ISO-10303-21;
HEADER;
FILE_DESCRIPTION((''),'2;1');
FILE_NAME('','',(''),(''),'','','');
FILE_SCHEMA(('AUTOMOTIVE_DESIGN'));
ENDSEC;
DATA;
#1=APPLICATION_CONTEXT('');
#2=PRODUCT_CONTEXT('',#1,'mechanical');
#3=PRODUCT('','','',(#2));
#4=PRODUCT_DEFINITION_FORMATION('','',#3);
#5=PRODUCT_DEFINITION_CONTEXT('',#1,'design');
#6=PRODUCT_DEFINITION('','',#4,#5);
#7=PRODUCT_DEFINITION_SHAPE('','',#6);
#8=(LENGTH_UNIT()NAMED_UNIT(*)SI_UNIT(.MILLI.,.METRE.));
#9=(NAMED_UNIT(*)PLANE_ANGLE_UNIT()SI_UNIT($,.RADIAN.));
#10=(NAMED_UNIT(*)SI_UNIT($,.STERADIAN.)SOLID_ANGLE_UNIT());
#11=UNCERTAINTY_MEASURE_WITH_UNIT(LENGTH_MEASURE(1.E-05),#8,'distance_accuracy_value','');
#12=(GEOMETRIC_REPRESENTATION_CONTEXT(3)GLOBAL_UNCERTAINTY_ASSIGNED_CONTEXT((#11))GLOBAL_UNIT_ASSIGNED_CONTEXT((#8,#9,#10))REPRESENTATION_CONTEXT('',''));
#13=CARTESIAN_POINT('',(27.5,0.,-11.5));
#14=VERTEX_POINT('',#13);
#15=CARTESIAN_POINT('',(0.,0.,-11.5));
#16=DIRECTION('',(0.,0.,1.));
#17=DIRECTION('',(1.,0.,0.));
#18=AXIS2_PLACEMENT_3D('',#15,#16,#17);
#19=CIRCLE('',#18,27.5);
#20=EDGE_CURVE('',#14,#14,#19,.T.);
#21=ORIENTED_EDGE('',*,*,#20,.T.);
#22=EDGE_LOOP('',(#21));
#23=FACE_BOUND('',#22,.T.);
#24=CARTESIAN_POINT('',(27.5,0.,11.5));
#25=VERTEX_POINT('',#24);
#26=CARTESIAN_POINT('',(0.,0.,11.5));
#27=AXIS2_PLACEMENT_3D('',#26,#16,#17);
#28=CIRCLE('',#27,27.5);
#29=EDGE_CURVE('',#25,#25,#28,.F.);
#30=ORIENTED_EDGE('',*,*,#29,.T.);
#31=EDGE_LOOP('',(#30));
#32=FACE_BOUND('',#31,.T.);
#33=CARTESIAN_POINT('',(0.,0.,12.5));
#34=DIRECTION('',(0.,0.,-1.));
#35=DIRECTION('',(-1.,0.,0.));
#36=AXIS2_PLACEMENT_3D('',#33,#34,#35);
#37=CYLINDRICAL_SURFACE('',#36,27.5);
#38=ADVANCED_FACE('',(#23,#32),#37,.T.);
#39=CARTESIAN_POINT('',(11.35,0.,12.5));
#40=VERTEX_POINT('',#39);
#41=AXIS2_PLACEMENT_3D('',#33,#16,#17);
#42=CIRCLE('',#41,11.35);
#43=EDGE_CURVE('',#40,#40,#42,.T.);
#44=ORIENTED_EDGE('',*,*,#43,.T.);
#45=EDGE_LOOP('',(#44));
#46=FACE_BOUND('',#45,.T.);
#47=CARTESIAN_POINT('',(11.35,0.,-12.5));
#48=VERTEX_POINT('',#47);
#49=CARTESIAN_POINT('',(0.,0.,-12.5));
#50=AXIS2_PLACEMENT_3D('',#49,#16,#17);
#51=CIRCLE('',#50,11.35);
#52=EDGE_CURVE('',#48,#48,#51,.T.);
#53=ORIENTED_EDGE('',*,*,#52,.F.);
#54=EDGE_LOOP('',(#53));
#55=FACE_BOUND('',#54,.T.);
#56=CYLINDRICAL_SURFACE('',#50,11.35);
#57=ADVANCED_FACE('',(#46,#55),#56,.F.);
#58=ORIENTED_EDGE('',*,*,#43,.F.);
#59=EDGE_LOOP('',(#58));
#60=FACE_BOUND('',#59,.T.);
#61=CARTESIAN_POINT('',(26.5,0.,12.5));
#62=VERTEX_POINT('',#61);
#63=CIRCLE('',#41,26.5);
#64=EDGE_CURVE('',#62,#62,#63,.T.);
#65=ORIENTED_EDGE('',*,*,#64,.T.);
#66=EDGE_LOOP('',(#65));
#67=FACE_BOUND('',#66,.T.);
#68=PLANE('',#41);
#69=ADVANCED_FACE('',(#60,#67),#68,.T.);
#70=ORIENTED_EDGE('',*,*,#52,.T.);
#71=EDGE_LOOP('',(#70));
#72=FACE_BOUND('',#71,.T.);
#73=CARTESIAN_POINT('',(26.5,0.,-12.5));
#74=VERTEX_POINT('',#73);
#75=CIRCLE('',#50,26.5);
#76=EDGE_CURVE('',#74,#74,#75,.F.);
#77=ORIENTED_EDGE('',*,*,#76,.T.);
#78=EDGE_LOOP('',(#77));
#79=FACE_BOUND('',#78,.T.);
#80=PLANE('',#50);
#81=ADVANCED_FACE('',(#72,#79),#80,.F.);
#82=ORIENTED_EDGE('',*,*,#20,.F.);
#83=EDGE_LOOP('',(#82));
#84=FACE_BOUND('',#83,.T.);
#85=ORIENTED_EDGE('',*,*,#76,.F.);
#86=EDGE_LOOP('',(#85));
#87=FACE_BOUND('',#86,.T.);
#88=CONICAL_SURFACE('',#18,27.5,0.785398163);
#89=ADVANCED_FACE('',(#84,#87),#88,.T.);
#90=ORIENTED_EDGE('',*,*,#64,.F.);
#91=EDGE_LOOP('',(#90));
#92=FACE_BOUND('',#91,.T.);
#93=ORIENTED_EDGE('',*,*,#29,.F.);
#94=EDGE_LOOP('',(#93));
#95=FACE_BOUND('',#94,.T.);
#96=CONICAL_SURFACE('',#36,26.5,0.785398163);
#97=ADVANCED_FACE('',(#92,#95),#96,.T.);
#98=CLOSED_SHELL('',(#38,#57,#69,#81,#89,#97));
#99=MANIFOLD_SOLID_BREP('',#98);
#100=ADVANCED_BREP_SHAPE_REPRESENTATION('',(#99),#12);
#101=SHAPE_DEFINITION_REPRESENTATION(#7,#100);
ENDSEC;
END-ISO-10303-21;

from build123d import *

# Parameters (mm, degrees)
SKETCH1_R               = 27.5
BOSS_EXTRUDE1_DEPTH     = 12.5
CUT_EXTRUDE1_DEPTH      = 41.850336596
CUT_EXTRUDE1_DEPTH_BACK = 41.850336596
SKETCH2_R               = 11.35
CHAMFER1_SIZE           = 1


with BuildPart() as part:
    # Sketch1 → Boss-Extrude1 (new, symmetric)
    with BuildSketch(Plane.XY):
        Circle(SKETCH1_R)
    extrude(amount=BOSS_EXTRUDE1_DEPTH, both=True)

    # Sketch2 → Cut-Extrude1 (cut, two sides: drawn at the far end of the back side and taken through both)
    with BuildSketch(Plane.XY.offset(-CUT_EXTRUDE1_DEPTH_BACK)):
        Circle(SKETCH2_R)
    extrude(amount=CUT_EXTRUDE1_DEPTH + CUT_EXTRUDE1_DEPTH_BACK, mode=Mode.SUBTRACT)

    # Chamfer1
    chamfer1_edges = [part.edges().sort_by_distance(p)[0] for p in [
        (-27.5, 0, -12.5),
        (-27.5, 0, 12.5),
    ]]
    chamfer(chamfer1_edges, length=CHAMFER1_SIZE)


solid = part.part
